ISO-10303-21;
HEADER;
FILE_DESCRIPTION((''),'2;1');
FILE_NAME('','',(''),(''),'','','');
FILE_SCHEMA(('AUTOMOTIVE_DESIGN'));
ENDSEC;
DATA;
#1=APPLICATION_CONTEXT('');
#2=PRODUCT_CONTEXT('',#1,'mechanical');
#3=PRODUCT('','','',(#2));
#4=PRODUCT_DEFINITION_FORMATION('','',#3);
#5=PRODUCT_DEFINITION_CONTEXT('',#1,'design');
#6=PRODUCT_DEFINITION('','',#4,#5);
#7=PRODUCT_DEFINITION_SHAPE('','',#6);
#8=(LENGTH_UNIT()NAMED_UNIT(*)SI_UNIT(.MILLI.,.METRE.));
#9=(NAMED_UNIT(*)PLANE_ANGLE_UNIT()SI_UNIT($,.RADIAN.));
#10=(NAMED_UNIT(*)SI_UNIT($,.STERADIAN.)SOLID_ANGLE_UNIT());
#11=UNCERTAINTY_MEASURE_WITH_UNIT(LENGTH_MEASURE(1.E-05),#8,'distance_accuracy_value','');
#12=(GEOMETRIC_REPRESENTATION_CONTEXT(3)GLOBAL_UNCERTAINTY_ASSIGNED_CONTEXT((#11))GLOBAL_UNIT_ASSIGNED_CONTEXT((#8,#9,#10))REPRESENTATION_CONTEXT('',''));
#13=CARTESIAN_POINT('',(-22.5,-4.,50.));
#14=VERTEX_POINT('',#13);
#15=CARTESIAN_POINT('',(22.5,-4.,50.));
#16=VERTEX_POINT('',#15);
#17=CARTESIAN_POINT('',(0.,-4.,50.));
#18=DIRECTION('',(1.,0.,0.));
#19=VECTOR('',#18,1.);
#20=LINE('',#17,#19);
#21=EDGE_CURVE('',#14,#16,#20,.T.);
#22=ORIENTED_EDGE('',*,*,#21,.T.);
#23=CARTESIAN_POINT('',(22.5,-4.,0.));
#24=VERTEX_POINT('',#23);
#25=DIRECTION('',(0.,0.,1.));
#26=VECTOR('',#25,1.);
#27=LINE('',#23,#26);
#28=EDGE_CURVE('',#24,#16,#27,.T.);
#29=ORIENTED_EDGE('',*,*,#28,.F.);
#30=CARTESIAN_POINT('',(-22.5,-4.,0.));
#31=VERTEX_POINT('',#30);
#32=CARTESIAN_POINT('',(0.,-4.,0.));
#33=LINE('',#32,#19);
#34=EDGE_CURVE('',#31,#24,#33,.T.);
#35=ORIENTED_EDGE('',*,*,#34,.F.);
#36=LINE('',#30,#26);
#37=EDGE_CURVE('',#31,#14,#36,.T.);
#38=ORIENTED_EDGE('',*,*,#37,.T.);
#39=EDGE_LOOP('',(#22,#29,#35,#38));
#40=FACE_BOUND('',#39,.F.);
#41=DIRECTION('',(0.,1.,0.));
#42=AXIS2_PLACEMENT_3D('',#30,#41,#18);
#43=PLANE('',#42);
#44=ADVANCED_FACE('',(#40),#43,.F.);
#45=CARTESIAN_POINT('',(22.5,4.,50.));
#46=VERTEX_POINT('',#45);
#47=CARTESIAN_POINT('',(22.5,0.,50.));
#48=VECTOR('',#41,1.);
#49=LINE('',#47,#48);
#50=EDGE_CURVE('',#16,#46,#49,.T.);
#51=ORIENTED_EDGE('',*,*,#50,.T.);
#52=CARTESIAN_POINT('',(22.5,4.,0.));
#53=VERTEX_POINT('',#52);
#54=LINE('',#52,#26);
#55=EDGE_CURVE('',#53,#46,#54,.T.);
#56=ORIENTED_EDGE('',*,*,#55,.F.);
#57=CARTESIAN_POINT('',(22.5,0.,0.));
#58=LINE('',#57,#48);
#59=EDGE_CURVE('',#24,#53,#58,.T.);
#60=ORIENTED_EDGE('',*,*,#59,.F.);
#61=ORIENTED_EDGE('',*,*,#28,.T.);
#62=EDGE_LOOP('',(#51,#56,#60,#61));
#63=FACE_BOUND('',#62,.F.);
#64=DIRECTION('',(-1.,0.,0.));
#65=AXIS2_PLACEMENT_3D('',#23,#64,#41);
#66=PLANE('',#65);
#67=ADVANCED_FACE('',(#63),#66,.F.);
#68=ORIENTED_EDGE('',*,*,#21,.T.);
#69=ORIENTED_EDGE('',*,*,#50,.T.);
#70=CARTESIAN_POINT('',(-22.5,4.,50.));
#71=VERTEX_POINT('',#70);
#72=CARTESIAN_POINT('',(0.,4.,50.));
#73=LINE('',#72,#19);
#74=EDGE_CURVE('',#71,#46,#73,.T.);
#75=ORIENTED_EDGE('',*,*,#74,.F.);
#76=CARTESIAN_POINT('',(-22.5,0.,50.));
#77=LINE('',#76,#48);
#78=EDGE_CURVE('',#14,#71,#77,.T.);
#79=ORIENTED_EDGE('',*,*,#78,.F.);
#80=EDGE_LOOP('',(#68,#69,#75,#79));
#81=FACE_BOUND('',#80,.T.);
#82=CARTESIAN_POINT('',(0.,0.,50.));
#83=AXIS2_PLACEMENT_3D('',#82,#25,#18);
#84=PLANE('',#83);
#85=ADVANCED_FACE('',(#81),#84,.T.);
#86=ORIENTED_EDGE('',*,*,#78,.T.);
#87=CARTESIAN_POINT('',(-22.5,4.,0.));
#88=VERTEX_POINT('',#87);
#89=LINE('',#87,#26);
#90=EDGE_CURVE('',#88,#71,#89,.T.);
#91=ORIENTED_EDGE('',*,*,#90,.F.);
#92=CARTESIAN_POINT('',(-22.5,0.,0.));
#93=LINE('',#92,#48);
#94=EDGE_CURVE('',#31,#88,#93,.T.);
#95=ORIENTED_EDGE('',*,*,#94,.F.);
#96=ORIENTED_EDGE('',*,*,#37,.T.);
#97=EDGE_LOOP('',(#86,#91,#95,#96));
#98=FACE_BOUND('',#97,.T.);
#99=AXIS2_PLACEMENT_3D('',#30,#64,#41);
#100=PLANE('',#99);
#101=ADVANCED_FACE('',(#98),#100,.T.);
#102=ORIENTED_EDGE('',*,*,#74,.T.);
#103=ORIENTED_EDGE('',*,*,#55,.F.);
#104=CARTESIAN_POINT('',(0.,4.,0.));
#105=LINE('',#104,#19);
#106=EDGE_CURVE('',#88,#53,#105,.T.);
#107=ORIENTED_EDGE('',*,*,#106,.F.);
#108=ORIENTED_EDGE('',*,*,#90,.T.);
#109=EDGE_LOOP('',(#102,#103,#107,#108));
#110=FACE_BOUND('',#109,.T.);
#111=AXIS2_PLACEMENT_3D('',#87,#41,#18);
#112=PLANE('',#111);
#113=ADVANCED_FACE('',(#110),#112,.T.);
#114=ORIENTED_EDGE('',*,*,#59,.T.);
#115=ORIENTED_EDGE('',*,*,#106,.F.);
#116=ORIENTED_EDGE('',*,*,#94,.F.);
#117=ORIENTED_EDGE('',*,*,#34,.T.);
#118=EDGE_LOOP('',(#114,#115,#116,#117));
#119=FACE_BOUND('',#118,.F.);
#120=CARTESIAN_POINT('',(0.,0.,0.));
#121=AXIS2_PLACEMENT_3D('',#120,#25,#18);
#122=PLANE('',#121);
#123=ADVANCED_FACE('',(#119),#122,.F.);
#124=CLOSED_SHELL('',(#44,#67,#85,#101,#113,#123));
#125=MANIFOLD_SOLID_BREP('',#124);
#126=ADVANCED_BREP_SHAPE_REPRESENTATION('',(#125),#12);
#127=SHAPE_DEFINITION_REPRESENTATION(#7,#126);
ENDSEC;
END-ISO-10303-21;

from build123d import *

# Parameters (mm, degrees)
SKETCH_W      = 45
SKETCH_H      = 8
EXTRUDE_DEPTH = 50


with BuildPart() as part:
    # Sketch → Extrude (new body)
    with BuildSketch(Plane.XY):
        Rectangle(SKETCH_W, SKETCH_H)
    extrude(amount=EXTRUDE_DEPTH)


solid = part.part
